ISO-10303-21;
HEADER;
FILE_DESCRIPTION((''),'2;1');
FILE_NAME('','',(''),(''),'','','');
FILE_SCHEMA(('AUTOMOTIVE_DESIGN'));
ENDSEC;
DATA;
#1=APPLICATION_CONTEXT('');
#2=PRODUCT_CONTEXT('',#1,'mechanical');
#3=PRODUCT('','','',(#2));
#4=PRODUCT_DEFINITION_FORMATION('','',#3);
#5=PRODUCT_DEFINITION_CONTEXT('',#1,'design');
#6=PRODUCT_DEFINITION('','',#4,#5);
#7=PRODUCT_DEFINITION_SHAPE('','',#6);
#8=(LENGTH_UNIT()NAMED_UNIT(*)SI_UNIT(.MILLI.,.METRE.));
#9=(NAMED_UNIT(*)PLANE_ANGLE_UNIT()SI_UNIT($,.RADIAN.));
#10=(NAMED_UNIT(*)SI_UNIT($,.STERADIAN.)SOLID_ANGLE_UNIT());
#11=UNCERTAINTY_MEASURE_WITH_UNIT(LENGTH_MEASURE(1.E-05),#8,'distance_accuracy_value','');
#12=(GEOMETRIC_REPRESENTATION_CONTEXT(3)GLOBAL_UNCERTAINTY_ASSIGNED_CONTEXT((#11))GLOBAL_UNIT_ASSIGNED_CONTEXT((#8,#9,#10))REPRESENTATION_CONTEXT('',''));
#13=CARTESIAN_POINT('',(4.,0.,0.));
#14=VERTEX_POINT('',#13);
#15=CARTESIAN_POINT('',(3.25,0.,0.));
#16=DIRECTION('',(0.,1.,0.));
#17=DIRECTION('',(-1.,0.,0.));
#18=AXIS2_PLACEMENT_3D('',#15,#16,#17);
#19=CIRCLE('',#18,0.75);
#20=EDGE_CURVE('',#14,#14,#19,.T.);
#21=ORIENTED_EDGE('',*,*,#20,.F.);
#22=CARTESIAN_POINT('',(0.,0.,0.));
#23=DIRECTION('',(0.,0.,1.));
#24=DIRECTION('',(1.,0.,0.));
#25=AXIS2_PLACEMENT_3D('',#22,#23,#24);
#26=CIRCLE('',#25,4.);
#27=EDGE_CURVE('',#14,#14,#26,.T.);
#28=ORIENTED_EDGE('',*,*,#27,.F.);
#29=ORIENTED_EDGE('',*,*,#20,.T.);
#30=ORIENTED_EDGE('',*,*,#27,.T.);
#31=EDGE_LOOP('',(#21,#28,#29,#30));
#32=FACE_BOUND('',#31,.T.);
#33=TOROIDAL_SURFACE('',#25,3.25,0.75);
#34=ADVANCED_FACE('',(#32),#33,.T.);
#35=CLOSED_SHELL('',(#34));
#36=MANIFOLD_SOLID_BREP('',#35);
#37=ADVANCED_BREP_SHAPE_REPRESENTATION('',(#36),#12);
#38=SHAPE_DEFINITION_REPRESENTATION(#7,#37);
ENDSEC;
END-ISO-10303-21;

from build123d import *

# Parameters (mm, degrees)
SWEEP1_PROFILE_R = 0.75


with BuildPart() as part:
    # Sweep1: sweep along a path in Sketch1
    with BuildLine(Plane.XY) as sweep1_path:
        CenterArc((0, 0), 3.25, 0, 360)
    # Sweep1 profile (on start of the path) → Sweep1 (sweep)
    with BuildSketch(Plane(origin=(3.25, 0, 0), x_dir=(0, 0, 1), z_dir=(0, 1, 0))):
        Circle(SWEEP1_PROFILE_R)
    sweep(path=sweep1_path.line)


solid = part.part
